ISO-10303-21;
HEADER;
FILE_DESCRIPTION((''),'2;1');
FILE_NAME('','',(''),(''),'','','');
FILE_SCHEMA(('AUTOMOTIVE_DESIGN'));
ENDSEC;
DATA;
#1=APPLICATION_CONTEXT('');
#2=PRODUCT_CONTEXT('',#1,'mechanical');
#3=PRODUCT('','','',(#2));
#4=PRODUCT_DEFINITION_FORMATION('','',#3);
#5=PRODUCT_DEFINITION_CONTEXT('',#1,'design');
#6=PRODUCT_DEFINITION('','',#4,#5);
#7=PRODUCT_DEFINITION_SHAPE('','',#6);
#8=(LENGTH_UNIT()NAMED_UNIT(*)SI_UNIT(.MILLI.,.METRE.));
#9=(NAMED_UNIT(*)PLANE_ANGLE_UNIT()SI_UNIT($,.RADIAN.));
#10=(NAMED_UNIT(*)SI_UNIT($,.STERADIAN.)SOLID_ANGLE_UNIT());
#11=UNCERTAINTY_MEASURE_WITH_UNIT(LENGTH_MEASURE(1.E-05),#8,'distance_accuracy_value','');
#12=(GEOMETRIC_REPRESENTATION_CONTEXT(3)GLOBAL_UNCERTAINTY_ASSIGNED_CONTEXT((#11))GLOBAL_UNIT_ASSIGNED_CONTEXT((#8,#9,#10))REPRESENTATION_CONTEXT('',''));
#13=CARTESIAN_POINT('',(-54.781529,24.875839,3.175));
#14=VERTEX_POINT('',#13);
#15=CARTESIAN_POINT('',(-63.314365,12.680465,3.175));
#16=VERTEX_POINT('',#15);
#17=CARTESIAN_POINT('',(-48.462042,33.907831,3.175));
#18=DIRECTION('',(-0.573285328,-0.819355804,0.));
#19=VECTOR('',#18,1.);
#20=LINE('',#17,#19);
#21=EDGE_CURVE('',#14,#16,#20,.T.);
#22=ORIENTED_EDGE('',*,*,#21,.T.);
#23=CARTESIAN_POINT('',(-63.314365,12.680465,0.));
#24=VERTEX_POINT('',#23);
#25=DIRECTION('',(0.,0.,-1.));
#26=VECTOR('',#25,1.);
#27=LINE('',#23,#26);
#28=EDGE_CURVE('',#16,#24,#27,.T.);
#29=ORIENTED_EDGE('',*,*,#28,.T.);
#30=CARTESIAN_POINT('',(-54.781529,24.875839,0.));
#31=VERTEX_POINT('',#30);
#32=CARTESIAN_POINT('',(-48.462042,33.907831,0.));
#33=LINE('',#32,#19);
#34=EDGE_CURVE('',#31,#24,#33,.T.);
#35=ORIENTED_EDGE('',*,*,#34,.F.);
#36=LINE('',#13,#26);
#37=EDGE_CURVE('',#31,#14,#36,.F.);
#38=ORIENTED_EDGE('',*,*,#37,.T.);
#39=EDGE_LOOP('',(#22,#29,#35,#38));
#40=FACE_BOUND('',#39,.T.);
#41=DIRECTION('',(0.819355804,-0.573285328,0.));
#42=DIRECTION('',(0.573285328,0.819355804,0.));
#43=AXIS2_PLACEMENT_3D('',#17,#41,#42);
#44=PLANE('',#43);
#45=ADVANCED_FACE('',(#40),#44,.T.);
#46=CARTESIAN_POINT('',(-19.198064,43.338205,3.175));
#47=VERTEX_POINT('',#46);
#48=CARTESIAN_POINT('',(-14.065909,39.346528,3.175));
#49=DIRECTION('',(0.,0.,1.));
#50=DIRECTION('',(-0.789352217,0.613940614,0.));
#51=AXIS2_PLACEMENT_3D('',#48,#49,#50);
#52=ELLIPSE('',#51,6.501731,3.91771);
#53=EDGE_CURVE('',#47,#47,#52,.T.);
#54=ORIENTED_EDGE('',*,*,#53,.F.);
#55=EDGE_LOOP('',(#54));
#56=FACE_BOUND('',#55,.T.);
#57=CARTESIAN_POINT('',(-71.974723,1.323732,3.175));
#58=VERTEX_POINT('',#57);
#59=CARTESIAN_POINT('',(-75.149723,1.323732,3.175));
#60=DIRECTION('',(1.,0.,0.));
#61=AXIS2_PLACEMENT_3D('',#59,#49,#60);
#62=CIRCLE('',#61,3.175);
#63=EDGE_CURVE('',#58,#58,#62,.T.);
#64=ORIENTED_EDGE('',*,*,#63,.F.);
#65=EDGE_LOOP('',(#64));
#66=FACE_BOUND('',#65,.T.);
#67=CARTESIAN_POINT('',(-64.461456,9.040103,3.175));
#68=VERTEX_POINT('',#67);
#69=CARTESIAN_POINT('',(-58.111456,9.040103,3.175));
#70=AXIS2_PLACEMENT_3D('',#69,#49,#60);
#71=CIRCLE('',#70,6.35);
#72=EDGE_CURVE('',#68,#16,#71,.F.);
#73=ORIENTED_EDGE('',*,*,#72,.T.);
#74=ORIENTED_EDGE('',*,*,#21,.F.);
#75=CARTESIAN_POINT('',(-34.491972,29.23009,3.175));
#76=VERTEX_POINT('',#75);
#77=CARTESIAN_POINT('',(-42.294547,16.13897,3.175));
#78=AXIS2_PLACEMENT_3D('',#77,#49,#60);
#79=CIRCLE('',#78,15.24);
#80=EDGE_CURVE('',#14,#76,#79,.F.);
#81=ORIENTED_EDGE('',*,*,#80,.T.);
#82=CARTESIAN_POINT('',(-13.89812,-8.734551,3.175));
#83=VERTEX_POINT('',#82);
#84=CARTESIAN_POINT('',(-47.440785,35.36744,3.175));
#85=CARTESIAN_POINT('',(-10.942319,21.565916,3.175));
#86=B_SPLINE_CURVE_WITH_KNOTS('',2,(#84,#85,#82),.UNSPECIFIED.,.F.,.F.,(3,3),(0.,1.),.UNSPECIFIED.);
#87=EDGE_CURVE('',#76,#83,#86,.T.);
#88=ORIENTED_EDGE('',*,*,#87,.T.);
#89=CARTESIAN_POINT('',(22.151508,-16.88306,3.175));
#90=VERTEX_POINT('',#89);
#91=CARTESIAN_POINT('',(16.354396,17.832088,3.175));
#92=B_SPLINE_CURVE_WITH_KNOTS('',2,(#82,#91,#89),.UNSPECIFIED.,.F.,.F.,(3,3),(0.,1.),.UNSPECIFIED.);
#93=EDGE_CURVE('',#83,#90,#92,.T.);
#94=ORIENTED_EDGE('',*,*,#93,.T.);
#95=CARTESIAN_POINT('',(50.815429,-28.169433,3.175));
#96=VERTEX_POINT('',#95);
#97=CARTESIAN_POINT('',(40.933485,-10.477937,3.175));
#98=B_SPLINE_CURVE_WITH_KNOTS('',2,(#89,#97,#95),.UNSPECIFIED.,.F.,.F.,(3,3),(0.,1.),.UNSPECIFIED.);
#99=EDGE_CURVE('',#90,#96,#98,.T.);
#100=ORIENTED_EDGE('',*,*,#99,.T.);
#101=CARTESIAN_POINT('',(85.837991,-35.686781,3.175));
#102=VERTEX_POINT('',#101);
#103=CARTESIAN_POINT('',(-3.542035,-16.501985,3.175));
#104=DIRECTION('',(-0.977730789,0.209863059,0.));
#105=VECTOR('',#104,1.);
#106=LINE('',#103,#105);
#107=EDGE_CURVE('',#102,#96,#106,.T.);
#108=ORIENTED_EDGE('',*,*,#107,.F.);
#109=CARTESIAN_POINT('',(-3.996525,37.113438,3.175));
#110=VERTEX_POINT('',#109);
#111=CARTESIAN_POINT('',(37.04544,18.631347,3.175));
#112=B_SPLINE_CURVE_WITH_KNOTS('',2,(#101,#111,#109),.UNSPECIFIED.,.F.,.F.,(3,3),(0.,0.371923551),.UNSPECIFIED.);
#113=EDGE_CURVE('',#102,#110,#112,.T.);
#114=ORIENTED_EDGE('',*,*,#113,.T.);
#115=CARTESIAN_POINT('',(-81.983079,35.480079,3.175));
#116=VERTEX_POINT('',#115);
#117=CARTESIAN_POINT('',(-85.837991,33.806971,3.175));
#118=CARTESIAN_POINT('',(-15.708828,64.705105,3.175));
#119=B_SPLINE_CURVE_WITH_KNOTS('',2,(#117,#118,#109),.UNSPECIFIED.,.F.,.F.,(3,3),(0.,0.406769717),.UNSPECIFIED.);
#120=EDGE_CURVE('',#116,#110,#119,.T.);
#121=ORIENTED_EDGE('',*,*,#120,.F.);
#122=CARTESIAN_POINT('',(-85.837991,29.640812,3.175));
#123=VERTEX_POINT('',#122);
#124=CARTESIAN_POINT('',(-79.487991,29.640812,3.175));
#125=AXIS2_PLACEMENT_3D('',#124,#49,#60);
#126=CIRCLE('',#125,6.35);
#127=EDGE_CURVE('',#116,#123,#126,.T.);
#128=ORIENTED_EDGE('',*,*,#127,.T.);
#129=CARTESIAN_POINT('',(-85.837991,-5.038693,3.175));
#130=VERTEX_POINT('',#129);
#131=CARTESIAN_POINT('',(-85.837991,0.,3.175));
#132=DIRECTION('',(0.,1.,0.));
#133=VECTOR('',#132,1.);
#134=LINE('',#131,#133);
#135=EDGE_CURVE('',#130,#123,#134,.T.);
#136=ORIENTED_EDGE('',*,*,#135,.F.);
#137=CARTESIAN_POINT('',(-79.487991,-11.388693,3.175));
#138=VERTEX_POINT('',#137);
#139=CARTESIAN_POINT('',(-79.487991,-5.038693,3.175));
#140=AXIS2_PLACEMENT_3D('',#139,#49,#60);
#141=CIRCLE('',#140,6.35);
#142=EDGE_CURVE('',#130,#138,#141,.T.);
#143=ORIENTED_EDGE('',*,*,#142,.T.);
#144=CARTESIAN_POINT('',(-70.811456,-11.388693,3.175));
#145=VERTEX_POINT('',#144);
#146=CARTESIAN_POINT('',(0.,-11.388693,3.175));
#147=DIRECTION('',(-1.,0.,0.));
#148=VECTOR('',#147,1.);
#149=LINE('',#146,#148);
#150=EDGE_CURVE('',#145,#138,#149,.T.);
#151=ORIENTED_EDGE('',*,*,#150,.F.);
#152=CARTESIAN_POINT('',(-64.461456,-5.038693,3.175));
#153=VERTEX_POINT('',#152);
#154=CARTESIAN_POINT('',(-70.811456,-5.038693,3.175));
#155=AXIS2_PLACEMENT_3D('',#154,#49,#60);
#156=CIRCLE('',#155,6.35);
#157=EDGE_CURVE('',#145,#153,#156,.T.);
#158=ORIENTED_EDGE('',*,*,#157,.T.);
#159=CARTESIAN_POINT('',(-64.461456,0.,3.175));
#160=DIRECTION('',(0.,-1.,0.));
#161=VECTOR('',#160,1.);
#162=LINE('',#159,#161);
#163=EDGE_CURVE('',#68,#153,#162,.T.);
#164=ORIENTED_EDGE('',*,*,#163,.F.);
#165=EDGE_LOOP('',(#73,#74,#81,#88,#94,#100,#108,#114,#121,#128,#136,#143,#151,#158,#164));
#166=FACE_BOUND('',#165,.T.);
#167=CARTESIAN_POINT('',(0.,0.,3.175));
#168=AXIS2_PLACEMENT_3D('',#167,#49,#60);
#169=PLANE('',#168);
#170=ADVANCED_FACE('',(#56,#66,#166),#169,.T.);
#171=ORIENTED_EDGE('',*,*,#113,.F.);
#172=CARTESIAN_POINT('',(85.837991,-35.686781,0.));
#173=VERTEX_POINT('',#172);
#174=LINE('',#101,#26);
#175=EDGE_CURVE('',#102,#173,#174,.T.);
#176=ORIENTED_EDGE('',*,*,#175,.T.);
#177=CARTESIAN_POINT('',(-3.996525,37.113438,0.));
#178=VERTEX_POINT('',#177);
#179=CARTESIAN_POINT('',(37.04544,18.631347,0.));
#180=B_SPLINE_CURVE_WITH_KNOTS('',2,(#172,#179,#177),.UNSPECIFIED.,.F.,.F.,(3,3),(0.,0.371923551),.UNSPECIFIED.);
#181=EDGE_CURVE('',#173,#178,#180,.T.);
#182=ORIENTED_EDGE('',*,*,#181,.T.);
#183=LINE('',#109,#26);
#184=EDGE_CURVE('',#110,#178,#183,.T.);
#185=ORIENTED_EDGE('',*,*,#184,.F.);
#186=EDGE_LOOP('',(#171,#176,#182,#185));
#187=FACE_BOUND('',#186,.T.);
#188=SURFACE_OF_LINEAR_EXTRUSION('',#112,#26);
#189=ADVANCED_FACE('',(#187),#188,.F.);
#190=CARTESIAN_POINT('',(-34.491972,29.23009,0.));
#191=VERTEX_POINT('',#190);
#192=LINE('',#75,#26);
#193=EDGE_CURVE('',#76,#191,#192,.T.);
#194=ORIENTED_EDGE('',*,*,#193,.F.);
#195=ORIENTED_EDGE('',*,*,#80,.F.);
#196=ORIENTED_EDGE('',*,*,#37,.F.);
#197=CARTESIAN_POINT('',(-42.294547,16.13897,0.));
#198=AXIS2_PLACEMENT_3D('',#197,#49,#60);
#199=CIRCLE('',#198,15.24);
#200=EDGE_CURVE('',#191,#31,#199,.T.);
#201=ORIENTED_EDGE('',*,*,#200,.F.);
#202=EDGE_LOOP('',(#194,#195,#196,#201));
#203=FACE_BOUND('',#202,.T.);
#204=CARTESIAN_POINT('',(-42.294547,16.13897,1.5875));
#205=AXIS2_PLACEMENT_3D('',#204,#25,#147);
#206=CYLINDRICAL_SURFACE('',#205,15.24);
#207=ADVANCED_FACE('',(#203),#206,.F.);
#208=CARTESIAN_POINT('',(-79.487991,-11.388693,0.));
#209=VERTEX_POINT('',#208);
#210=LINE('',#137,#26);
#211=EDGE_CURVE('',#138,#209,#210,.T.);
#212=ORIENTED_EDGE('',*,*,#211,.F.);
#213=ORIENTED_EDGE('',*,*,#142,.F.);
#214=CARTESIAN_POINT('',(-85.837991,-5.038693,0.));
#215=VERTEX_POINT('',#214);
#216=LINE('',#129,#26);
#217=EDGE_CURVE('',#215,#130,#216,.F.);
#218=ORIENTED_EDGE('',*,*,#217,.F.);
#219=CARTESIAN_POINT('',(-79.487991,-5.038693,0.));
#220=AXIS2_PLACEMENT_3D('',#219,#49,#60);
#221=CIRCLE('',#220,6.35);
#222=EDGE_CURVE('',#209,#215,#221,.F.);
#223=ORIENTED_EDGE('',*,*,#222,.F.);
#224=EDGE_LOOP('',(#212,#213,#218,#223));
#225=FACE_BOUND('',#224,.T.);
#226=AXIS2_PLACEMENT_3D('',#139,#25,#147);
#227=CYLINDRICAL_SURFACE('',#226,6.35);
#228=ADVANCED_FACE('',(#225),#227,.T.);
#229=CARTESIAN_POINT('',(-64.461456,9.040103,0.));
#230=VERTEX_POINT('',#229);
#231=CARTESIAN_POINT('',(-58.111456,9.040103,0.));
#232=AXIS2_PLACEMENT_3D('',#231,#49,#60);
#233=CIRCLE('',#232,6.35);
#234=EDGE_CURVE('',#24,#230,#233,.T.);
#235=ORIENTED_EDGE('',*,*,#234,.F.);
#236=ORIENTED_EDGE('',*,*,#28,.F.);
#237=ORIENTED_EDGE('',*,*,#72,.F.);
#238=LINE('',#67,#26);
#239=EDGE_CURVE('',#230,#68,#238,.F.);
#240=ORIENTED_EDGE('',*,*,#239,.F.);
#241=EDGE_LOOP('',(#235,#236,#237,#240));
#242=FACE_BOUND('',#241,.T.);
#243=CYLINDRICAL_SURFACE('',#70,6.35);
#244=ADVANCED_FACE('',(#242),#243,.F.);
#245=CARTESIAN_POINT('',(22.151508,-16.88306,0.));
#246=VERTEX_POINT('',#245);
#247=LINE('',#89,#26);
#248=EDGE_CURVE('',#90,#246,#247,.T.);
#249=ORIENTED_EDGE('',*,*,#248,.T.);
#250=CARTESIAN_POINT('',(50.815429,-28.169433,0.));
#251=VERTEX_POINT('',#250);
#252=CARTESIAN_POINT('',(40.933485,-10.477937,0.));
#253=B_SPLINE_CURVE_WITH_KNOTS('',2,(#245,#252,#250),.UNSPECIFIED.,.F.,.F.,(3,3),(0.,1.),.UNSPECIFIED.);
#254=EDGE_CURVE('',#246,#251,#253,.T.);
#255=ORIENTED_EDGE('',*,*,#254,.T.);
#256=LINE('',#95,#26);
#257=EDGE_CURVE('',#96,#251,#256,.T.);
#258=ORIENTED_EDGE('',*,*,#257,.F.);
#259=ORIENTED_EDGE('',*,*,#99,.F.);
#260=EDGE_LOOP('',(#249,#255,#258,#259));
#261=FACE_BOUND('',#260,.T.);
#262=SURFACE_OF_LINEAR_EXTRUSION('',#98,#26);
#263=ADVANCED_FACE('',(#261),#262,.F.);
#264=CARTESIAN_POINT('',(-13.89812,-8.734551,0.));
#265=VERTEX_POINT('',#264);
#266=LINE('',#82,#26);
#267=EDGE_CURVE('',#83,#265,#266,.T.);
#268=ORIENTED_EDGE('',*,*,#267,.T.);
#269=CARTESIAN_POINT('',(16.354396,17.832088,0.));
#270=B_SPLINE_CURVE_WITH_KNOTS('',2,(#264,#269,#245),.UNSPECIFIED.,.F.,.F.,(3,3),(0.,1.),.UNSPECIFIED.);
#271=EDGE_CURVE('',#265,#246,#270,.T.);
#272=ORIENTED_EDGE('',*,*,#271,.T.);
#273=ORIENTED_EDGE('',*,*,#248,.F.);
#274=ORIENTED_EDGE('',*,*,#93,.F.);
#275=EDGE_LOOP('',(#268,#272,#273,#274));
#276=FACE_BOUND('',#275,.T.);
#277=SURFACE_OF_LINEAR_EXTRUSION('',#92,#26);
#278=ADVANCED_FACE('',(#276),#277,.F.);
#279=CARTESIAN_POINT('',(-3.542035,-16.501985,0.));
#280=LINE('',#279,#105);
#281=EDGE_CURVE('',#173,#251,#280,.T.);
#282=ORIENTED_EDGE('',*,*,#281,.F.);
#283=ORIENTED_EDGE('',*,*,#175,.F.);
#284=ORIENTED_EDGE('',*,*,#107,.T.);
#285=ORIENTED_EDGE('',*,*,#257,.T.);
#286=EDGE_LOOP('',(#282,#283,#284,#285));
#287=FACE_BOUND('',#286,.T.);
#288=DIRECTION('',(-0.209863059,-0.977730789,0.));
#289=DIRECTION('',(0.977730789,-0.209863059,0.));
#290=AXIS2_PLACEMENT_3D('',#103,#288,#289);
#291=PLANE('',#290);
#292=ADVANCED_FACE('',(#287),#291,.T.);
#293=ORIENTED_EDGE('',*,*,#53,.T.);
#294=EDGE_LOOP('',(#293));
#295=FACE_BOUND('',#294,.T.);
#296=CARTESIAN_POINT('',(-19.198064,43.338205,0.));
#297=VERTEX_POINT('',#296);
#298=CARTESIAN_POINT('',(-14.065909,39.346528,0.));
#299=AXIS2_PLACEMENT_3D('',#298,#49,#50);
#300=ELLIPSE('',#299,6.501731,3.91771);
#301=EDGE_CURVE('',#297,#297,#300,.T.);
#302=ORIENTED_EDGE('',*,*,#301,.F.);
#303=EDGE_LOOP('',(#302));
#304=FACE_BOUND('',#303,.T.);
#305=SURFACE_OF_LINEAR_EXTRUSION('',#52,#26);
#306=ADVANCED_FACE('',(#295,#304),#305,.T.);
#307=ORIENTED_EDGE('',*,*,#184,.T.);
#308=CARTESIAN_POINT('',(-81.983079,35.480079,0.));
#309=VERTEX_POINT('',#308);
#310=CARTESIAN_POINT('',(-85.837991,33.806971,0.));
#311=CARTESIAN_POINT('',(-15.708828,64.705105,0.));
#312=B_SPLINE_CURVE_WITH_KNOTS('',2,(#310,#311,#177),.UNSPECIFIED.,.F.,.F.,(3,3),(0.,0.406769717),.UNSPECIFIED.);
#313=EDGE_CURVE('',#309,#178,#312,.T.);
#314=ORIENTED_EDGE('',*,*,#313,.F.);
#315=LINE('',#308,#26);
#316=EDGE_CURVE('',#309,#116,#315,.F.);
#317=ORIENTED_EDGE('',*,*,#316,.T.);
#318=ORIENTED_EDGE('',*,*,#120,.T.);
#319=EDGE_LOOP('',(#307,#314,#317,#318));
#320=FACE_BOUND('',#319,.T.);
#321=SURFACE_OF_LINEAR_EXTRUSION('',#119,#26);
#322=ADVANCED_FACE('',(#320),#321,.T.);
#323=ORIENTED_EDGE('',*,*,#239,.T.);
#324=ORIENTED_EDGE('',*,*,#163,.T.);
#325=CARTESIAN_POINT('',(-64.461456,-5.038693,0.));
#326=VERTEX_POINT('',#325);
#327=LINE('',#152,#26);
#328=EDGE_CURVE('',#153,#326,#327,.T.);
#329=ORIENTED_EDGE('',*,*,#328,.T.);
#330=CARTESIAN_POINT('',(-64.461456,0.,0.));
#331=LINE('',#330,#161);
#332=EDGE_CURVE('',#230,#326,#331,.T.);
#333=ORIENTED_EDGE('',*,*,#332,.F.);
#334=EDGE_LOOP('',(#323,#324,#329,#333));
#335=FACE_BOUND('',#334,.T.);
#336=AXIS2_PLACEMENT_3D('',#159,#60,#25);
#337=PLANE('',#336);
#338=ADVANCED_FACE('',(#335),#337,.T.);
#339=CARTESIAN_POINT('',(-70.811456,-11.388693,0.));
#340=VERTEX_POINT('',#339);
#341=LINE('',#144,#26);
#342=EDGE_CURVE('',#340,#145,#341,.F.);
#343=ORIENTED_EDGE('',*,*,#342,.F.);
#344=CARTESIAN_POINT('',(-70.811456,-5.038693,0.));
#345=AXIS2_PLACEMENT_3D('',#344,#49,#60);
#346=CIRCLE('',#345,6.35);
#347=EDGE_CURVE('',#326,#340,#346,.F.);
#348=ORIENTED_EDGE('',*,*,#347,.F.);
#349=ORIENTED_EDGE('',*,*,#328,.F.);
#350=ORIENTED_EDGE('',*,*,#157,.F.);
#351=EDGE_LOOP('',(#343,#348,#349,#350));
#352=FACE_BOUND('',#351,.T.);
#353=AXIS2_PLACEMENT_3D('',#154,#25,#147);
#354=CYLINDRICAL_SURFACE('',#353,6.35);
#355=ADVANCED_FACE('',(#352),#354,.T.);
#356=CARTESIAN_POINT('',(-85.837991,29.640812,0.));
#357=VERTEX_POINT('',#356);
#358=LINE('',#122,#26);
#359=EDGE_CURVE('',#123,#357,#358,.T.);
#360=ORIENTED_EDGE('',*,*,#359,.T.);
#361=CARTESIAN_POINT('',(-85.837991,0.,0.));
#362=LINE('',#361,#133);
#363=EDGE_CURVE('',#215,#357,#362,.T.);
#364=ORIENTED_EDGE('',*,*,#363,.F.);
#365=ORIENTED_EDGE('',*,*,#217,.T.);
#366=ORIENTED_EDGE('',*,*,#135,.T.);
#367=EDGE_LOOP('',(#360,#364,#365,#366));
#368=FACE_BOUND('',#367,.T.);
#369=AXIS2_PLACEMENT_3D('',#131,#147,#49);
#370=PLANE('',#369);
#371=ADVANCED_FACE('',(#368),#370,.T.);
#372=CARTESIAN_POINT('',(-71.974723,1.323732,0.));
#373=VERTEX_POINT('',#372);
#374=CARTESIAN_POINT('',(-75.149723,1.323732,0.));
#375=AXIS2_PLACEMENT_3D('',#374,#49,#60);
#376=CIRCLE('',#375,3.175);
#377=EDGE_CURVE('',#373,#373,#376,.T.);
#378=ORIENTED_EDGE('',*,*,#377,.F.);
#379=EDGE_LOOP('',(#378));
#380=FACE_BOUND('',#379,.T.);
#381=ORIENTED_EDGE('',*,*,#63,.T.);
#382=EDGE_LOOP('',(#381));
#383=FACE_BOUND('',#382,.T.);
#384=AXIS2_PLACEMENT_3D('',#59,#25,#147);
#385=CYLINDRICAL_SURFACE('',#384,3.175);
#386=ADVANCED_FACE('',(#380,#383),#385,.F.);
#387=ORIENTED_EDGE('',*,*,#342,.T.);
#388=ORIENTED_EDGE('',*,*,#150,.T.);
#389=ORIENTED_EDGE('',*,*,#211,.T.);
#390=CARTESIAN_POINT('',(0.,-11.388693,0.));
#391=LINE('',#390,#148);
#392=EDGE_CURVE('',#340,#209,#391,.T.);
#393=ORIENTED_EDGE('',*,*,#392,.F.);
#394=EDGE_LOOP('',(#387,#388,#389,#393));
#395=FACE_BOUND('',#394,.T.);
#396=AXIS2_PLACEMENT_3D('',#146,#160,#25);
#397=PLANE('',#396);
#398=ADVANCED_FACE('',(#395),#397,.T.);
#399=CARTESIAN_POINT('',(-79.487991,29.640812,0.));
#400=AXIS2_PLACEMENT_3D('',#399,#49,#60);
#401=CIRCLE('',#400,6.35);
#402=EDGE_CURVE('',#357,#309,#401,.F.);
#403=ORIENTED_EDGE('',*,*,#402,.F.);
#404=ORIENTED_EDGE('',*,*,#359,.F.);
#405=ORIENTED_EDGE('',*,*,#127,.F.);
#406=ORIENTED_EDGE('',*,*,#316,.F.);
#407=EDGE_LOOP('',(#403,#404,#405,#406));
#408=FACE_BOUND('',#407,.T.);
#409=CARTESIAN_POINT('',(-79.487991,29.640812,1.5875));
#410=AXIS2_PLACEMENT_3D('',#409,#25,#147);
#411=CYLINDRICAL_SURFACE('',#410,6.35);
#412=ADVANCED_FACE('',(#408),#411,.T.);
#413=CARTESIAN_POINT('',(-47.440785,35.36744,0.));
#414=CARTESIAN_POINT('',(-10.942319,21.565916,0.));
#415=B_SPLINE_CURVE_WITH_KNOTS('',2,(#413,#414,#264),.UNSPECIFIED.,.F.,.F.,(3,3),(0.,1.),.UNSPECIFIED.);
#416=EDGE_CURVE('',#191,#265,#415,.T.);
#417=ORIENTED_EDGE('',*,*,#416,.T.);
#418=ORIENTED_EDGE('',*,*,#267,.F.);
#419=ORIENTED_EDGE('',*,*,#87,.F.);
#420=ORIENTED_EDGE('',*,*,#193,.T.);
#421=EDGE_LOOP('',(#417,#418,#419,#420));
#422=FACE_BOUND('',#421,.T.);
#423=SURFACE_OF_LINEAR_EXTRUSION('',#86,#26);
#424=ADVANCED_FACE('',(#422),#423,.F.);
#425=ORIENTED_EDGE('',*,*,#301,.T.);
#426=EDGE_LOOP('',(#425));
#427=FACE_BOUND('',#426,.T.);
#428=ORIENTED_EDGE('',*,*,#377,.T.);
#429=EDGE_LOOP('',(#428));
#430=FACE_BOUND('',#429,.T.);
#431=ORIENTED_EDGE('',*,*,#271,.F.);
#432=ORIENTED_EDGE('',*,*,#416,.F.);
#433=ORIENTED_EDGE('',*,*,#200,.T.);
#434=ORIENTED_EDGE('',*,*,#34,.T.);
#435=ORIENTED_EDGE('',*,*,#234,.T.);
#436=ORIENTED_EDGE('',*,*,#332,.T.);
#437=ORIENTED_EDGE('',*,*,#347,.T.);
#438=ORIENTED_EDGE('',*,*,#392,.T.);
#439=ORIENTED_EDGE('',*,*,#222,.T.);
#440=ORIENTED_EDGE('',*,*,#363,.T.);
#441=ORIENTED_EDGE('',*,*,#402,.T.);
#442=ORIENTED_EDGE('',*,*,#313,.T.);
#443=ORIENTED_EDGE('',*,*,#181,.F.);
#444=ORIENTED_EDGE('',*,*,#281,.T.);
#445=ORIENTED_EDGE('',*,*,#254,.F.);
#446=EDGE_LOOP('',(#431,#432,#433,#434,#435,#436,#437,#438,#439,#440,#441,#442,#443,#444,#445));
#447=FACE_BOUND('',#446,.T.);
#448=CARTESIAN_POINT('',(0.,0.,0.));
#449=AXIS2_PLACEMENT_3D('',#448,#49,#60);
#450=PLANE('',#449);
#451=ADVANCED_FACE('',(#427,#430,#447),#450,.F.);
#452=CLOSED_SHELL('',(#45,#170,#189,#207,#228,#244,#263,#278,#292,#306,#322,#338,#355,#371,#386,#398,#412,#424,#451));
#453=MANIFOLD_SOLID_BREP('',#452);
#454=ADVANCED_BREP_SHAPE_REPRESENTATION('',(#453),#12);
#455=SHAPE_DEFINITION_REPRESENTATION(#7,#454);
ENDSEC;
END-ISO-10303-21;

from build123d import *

# Parameters (mm, degrees)
SKETCH1_R           = 3.175
SKETCH1_RX          = 6.501731069
SKETCH1_RY          = 3.917709747
BOSS_EXTRUDE1_DEPTH = 3.175
FILLET1_R           = 6.35
FILLET2_R           = 15.24
FILLET3_R           = 6.35


with BuildPart() as part:
    # Sketch1 → Boss-Extrude1 (new body)
    with BuildSketch(Plane.XY):
        with BuildLine():
            Line((85.837990546, -35.686780557), (50.815428811, -28.169433219))
            add(Edge.make_bspline(
                [(22.151507794, -16.88306006), (40.93348508, -10.477937426), (50.815428811, -28.169433219)],
                knots=[0, 0, 0, 1, 1, 1], degree=2))
            add(Edge.make_bspline(
                [(-13.89812039, -8.73455109), (16.354395889, 17.832088288), (22.151507794, -16.88306006)],
                knots=[0, 0, 0, 1, 1, 1], degree=2))
            add(Edge.make_bspline(
                [(-47.440785313, 35.367440163), (-10.94231892, 21.565916132), (-13.89812039, -8.73455109)],
                knots=[0, 0, 0, 1, 1, 1], degree=2))
            Line((-47.440785313, 35.367440163), (-64.461456133, 11.041010118))
            Line((-64.461456133, 11.041010118), (-64.461456133, -11.388692522))
            Line((-64.461456133, -11.388692522), (-85.837990546, -11.388692522))
            Line((-85.837990546, -11.388692522), (-85.837990546, 33.806971222))
            add(Edge.make_bspline(
                [(-85.837990546, 33.806971222), (-15.708828484, 64.705105309), (-3.996524698, 37.11343766)],
                knots=[0, 0, 0, 0.406769717, 0.406769717, 0.406769717], degree=2))
            add(Edge.make_bspline(
                [(85.837990546, -35.686780557), (37.045439563, 18.631346841), (-3.996524698, 37.11343766)],
                knots=[0, 0, 0, 0.371923551, 0.371923551, 0.371923551], degree=2))
        make_face()
        with Locations((-75.14972334, 1.323731685)):
            Circle(SKETCH1_R, mode=Mode.SUBTRACT)
        with Locations(Location((-14.065908589, 39.346528079), (0, 0, 142.125016349))):
            Ellipse(SKETCH1_RX, SKETCH1_RY, mode=Mode.SUBTRACT)
    extrude(amount=BOSS_EXTRUDE1_DEPTH)

    # Fillet1
    fillet1_edges = [part.edges().sort_by_distance(p)[0] for p in [
        (-64.461456133, 11.041010118, 1.5875),
        (-64.461456133, -11.388692522, 1.5875),
        (-85.837990546, -11.388692522, 1.5875),
    ]]
    fillet(fillet1_edges, radius=FILLET1_R)

    # Fillet2
    fillet2_edges = [part.edges().sort_by_distance(p)[0] for p in [
        (-47.440785313, 35.367440163, 1.5875),
    ]]
    fillet(fillet2_edges, radius=FILLET2_R)

    # Fillet3
    fillet3_edges = [part.edges().sort_by_distance(p)[0] for p in [
        (-85.837990546, 33.806971222, 1.5875),
    ]]
    fillet(fillet3_edges, radius=FILLET3_R)


solid = part.part
